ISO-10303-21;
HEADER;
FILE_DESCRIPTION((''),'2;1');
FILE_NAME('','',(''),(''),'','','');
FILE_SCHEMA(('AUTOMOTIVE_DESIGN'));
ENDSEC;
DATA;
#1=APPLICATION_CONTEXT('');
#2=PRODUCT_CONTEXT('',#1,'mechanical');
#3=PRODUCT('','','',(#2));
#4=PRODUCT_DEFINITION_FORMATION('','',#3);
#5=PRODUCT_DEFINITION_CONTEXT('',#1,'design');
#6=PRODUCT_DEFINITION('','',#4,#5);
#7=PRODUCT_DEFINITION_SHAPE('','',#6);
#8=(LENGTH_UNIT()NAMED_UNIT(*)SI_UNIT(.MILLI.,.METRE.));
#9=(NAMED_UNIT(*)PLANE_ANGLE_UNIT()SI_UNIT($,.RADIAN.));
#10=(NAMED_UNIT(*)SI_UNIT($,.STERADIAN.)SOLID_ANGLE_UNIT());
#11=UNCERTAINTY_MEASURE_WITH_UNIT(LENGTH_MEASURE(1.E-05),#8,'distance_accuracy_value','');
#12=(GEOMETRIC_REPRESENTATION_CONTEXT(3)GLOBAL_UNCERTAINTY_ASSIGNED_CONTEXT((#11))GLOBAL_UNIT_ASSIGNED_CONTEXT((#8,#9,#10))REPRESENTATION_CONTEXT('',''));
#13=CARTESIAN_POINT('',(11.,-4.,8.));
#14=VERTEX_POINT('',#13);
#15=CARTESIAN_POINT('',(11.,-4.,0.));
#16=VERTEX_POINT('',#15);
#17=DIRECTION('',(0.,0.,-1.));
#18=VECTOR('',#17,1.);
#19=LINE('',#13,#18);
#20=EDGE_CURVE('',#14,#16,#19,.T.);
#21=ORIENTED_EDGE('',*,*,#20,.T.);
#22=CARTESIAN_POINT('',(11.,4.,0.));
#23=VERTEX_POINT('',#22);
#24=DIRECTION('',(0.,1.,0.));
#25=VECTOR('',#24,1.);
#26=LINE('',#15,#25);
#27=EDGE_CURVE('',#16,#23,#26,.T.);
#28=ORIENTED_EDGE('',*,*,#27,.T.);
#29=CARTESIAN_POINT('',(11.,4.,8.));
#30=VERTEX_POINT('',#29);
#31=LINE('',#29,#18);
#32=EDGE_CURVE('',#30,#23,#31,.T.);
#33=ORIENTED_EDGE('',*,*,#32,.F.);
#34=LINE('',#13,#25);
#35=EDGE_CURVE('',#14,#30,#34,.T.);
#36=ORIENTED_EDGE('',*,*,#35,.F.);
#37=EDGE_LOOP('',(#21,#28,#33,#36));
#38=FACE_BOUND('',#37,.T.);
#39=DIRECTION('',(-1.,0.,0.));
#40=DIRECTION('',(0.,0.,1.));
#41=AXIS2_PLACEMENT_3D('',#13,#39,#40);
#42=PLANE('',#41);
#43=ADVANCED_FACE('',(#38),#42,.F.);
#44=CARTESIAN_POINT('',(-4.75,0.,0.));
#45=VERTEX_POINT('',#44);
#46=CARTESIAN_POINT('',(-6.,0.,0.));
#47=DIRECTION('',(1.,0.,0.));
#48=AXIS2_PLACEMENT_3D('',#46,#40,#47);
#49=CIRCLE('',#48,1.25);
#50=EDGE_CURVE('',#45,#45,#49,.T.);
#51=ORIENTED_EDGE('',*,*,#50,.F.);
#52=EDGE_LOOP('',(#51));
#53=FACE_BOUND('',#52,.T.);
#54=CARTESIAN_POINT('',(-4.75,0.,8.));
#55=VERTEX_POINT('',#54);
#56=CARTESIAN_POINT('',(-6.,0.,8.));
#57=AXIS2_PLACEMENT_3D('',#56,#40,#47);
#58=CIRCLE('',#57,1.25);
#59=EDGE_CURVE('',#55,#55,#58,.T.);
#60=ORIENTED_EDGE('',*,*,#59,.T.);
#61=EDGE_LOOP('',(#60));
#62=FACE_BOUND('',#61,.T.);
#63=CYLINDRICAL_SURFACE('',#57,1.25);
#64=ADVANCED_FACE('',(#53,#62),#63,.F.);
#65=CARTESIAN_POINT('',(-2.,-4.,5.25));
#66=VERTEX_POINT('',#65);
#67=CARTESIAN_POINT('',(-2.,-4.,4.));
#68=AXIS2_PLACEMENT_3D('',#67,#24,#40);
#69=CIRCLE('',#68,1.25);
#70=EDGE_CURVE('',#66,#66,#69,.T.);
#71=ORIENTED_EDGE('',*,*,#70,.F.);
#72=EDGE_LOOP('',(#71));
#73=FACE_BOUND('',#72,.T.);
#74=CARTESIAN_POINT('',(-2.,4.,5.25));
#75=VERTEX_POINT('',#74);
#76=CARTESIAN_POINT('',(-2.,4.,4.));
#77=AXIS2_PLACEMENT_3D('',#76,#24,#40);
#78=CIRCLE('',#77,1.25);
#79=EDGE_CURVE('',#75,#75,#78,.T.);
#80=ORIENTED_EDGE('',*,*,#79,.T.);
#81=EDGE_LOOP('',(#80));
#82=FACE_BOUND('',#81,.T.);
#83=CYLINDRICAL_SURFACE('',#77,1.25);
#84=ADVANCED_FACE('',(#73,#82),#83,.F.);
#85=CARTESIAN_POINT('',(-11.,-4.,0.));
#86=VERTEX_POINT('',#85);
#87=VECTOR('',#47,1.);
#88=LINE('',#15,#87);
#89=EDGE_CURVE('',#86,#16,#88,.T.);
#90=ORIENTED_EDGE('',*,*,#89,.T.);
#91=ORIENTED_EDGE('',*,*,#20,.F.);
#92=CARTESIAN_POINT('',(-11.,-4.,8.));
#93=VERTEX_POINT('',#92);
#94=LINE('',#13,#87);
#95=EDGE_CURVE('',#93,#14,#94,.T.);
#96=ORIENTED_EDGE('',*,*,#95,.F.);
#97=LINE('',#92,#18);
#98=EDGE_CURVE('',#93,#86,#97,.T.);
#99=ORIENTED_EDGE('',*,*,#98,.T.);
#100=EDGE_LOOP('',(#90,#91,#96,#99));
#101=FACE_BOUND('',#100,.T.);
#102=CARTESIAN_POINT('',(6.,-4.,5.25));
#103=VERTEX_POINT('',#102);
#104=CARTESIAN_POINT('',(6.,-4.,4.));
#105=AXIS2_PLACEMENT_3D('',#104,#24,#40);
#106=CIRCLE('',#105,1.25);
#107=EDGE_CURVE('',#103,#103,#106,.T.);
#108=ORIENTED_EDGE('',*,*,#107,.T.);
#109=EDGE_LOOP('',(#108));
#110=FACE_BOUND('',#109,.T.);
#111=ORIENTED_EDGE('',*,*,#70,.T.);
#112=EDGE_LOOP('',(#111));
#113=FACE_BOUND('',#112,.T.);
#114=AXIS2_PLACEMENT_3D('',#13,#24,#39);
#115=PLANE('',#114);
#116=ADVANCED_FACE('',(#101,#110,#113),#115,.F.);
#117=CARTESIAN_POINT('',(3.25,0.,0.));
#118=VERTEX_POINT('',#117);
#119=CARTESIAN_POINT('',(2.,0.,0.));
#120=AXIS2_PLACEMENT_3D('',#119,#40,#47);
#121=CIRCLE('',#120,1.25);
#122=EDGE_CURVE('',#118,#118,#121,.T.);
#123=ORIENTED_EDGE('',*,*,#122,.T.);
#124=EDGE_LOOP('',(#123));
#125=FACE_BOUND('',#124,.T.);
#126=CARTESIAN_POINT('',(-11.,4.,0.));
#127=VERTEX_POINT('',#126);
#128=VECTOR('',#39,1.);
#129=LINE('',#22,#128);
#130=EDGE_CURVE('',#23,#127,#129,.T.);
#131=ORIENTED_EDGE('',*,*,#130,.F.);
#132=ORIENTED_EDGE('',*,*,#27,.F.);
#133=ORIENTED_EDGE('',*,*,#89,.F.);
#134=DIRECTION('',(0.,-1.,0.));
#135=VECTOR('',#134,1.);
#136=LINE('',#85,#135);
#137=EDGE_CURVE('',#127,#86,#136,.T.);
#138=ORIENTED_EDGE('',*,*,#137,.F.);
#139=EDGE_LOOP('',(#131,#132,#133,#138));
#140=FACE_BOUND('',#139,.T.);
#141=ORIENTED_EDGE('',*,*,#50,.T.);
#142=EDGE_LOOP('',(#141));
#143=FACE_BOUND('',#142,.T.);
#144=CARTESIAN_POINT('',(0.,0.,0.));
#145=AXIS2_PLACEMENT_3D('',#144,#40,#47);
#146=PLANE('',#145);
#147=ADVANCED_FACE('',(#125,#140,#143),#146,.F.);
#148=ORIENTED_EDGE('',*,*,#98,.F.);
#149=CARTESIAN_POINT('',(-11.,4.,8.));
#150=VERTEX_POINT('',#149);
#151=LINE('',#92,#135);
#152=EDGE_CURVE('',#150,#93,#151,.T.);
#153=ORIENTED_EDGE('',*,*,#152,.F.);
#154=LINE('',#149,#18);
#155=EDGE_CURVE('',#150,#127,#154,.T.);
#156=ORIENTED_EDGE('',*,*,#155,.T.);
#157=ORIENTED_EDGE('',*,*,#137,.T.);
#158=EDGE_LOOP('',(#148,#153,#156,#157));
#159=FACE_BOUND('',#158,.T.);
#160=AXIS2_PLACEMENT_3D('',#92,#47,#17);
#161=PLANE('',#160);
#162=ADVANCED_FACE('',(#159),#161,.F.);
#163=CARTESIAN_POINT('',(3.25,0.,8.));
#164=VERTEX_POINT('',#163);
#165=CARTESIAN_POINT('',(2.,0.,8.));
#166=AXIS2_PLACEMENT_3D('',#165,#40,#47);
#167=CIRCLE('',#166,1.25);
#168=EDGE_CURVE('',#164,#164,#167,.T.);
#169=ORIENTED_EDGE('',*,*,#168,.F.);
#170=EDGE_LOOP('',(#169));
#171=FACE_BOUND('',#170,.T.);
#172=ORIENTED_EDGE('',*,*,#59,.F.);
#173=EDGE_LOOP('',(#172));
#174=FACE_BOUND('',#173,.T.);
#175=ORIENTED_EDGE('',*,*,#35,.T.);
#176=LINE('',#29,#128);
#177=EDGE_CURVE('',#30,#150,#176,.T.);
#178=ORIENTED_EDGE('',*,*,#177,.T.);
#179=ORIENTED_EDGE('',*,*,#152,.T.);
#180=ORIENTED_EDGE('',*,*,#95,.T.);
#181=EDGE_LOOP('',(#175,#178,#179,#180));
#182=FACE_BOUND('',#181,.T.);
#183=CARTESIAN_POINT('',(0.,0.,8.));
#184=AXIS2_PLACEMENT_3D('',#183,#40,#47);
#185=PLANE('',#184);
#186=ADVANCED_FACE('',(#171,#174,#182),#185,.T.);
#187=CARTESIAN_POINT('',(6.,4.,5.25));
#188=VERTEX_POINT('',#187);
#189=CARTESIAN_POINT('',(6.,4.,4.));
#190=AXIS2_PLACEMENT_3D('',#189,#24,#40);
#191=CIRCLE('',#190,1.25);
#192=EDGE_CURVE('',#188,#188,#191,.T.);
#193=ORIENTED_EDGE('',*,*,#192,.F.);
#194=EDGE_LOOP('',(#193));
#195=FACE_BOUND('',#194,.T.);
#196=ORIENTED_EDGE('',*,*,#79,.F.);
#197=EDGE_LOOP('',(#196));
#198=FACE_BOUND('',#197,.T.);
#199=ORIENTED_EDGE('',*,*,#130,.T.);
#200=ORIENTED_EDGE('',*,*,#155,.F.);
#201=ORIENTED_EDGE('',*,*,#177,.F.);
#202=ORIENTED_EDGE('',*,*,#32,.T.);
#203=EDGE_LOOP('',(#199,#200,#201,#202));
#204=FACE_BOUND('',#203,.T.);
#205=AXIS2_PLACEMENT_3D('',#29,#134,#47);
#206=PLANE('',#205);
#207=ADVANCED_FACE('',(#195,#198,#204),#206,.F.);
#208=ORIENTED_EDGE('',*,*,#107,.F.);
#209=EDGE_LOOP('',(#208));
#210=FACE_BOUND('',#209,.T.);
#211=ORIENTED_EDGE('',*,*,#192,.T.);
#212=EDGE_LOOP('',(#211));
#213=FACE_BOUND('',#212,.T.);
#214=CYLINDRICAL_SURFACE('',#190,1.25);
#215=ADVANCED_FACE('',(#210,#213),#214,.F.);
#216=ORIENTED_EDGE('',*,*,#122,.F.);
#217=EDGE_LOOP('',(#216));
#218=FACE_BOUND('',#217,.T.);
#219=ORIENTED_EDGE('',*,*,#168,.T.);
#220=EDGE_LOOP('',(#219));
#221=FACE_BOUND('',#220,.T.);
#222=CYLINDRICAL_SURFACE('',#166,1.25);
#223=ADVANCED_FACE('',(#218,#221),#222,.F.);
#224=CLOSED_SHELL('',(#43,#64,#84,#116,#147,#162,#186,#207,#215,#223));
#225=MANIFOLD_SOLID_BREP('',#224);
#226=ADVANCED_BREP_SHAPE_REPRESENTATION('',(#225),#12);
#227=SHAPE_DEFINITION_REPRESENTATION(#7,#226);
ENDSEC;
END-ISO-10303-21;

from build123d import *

# Parameters (mm, degrees)
SKETCH_2_W                   = 22
SKETCH_2_H                   = 8
EXTRUDE_1_DEPTH              = 8
HOLE_WIZARD_M3_1_D           = 2.5
HOLE_WIZARD_M3_1_ON_FACE_2_D = 2.5


with BuildPart() as part:
    # 草图2 → 凸台-拉伸1 (new body)
    with BuildSketch(Plane.XY):
        Rectangle(SKETCH_2_W, SKETCH_2_H)
    extrude(amount=EXTRUDE_1_DEPTH)

    # M3 螺纹孔的螺纹孔钻头1 (through all)
    with Locations(Plane(origin=(-2, 4, 4), x_dir=(1, 0, 0), z_dir=(0, 1, 0))):
        with Locations((0, 0), (8, 0)):
            Hole(HOLE_WIZARD_M3_1_D / 2)

    # M3 螺纹孔的螺纹孔钻头1 on face 2 (through all)
    with Locations(Plane(origin=(2, 0, 8), x_dir=(1, 0, 0), z_dir=(0, 0, 1))):
        with Locations((0, 0), (-8, 0)):
            Hole(HOLE_WIZARD_M3_1_ON_FACE_2_D / 2)


solid = part.part
